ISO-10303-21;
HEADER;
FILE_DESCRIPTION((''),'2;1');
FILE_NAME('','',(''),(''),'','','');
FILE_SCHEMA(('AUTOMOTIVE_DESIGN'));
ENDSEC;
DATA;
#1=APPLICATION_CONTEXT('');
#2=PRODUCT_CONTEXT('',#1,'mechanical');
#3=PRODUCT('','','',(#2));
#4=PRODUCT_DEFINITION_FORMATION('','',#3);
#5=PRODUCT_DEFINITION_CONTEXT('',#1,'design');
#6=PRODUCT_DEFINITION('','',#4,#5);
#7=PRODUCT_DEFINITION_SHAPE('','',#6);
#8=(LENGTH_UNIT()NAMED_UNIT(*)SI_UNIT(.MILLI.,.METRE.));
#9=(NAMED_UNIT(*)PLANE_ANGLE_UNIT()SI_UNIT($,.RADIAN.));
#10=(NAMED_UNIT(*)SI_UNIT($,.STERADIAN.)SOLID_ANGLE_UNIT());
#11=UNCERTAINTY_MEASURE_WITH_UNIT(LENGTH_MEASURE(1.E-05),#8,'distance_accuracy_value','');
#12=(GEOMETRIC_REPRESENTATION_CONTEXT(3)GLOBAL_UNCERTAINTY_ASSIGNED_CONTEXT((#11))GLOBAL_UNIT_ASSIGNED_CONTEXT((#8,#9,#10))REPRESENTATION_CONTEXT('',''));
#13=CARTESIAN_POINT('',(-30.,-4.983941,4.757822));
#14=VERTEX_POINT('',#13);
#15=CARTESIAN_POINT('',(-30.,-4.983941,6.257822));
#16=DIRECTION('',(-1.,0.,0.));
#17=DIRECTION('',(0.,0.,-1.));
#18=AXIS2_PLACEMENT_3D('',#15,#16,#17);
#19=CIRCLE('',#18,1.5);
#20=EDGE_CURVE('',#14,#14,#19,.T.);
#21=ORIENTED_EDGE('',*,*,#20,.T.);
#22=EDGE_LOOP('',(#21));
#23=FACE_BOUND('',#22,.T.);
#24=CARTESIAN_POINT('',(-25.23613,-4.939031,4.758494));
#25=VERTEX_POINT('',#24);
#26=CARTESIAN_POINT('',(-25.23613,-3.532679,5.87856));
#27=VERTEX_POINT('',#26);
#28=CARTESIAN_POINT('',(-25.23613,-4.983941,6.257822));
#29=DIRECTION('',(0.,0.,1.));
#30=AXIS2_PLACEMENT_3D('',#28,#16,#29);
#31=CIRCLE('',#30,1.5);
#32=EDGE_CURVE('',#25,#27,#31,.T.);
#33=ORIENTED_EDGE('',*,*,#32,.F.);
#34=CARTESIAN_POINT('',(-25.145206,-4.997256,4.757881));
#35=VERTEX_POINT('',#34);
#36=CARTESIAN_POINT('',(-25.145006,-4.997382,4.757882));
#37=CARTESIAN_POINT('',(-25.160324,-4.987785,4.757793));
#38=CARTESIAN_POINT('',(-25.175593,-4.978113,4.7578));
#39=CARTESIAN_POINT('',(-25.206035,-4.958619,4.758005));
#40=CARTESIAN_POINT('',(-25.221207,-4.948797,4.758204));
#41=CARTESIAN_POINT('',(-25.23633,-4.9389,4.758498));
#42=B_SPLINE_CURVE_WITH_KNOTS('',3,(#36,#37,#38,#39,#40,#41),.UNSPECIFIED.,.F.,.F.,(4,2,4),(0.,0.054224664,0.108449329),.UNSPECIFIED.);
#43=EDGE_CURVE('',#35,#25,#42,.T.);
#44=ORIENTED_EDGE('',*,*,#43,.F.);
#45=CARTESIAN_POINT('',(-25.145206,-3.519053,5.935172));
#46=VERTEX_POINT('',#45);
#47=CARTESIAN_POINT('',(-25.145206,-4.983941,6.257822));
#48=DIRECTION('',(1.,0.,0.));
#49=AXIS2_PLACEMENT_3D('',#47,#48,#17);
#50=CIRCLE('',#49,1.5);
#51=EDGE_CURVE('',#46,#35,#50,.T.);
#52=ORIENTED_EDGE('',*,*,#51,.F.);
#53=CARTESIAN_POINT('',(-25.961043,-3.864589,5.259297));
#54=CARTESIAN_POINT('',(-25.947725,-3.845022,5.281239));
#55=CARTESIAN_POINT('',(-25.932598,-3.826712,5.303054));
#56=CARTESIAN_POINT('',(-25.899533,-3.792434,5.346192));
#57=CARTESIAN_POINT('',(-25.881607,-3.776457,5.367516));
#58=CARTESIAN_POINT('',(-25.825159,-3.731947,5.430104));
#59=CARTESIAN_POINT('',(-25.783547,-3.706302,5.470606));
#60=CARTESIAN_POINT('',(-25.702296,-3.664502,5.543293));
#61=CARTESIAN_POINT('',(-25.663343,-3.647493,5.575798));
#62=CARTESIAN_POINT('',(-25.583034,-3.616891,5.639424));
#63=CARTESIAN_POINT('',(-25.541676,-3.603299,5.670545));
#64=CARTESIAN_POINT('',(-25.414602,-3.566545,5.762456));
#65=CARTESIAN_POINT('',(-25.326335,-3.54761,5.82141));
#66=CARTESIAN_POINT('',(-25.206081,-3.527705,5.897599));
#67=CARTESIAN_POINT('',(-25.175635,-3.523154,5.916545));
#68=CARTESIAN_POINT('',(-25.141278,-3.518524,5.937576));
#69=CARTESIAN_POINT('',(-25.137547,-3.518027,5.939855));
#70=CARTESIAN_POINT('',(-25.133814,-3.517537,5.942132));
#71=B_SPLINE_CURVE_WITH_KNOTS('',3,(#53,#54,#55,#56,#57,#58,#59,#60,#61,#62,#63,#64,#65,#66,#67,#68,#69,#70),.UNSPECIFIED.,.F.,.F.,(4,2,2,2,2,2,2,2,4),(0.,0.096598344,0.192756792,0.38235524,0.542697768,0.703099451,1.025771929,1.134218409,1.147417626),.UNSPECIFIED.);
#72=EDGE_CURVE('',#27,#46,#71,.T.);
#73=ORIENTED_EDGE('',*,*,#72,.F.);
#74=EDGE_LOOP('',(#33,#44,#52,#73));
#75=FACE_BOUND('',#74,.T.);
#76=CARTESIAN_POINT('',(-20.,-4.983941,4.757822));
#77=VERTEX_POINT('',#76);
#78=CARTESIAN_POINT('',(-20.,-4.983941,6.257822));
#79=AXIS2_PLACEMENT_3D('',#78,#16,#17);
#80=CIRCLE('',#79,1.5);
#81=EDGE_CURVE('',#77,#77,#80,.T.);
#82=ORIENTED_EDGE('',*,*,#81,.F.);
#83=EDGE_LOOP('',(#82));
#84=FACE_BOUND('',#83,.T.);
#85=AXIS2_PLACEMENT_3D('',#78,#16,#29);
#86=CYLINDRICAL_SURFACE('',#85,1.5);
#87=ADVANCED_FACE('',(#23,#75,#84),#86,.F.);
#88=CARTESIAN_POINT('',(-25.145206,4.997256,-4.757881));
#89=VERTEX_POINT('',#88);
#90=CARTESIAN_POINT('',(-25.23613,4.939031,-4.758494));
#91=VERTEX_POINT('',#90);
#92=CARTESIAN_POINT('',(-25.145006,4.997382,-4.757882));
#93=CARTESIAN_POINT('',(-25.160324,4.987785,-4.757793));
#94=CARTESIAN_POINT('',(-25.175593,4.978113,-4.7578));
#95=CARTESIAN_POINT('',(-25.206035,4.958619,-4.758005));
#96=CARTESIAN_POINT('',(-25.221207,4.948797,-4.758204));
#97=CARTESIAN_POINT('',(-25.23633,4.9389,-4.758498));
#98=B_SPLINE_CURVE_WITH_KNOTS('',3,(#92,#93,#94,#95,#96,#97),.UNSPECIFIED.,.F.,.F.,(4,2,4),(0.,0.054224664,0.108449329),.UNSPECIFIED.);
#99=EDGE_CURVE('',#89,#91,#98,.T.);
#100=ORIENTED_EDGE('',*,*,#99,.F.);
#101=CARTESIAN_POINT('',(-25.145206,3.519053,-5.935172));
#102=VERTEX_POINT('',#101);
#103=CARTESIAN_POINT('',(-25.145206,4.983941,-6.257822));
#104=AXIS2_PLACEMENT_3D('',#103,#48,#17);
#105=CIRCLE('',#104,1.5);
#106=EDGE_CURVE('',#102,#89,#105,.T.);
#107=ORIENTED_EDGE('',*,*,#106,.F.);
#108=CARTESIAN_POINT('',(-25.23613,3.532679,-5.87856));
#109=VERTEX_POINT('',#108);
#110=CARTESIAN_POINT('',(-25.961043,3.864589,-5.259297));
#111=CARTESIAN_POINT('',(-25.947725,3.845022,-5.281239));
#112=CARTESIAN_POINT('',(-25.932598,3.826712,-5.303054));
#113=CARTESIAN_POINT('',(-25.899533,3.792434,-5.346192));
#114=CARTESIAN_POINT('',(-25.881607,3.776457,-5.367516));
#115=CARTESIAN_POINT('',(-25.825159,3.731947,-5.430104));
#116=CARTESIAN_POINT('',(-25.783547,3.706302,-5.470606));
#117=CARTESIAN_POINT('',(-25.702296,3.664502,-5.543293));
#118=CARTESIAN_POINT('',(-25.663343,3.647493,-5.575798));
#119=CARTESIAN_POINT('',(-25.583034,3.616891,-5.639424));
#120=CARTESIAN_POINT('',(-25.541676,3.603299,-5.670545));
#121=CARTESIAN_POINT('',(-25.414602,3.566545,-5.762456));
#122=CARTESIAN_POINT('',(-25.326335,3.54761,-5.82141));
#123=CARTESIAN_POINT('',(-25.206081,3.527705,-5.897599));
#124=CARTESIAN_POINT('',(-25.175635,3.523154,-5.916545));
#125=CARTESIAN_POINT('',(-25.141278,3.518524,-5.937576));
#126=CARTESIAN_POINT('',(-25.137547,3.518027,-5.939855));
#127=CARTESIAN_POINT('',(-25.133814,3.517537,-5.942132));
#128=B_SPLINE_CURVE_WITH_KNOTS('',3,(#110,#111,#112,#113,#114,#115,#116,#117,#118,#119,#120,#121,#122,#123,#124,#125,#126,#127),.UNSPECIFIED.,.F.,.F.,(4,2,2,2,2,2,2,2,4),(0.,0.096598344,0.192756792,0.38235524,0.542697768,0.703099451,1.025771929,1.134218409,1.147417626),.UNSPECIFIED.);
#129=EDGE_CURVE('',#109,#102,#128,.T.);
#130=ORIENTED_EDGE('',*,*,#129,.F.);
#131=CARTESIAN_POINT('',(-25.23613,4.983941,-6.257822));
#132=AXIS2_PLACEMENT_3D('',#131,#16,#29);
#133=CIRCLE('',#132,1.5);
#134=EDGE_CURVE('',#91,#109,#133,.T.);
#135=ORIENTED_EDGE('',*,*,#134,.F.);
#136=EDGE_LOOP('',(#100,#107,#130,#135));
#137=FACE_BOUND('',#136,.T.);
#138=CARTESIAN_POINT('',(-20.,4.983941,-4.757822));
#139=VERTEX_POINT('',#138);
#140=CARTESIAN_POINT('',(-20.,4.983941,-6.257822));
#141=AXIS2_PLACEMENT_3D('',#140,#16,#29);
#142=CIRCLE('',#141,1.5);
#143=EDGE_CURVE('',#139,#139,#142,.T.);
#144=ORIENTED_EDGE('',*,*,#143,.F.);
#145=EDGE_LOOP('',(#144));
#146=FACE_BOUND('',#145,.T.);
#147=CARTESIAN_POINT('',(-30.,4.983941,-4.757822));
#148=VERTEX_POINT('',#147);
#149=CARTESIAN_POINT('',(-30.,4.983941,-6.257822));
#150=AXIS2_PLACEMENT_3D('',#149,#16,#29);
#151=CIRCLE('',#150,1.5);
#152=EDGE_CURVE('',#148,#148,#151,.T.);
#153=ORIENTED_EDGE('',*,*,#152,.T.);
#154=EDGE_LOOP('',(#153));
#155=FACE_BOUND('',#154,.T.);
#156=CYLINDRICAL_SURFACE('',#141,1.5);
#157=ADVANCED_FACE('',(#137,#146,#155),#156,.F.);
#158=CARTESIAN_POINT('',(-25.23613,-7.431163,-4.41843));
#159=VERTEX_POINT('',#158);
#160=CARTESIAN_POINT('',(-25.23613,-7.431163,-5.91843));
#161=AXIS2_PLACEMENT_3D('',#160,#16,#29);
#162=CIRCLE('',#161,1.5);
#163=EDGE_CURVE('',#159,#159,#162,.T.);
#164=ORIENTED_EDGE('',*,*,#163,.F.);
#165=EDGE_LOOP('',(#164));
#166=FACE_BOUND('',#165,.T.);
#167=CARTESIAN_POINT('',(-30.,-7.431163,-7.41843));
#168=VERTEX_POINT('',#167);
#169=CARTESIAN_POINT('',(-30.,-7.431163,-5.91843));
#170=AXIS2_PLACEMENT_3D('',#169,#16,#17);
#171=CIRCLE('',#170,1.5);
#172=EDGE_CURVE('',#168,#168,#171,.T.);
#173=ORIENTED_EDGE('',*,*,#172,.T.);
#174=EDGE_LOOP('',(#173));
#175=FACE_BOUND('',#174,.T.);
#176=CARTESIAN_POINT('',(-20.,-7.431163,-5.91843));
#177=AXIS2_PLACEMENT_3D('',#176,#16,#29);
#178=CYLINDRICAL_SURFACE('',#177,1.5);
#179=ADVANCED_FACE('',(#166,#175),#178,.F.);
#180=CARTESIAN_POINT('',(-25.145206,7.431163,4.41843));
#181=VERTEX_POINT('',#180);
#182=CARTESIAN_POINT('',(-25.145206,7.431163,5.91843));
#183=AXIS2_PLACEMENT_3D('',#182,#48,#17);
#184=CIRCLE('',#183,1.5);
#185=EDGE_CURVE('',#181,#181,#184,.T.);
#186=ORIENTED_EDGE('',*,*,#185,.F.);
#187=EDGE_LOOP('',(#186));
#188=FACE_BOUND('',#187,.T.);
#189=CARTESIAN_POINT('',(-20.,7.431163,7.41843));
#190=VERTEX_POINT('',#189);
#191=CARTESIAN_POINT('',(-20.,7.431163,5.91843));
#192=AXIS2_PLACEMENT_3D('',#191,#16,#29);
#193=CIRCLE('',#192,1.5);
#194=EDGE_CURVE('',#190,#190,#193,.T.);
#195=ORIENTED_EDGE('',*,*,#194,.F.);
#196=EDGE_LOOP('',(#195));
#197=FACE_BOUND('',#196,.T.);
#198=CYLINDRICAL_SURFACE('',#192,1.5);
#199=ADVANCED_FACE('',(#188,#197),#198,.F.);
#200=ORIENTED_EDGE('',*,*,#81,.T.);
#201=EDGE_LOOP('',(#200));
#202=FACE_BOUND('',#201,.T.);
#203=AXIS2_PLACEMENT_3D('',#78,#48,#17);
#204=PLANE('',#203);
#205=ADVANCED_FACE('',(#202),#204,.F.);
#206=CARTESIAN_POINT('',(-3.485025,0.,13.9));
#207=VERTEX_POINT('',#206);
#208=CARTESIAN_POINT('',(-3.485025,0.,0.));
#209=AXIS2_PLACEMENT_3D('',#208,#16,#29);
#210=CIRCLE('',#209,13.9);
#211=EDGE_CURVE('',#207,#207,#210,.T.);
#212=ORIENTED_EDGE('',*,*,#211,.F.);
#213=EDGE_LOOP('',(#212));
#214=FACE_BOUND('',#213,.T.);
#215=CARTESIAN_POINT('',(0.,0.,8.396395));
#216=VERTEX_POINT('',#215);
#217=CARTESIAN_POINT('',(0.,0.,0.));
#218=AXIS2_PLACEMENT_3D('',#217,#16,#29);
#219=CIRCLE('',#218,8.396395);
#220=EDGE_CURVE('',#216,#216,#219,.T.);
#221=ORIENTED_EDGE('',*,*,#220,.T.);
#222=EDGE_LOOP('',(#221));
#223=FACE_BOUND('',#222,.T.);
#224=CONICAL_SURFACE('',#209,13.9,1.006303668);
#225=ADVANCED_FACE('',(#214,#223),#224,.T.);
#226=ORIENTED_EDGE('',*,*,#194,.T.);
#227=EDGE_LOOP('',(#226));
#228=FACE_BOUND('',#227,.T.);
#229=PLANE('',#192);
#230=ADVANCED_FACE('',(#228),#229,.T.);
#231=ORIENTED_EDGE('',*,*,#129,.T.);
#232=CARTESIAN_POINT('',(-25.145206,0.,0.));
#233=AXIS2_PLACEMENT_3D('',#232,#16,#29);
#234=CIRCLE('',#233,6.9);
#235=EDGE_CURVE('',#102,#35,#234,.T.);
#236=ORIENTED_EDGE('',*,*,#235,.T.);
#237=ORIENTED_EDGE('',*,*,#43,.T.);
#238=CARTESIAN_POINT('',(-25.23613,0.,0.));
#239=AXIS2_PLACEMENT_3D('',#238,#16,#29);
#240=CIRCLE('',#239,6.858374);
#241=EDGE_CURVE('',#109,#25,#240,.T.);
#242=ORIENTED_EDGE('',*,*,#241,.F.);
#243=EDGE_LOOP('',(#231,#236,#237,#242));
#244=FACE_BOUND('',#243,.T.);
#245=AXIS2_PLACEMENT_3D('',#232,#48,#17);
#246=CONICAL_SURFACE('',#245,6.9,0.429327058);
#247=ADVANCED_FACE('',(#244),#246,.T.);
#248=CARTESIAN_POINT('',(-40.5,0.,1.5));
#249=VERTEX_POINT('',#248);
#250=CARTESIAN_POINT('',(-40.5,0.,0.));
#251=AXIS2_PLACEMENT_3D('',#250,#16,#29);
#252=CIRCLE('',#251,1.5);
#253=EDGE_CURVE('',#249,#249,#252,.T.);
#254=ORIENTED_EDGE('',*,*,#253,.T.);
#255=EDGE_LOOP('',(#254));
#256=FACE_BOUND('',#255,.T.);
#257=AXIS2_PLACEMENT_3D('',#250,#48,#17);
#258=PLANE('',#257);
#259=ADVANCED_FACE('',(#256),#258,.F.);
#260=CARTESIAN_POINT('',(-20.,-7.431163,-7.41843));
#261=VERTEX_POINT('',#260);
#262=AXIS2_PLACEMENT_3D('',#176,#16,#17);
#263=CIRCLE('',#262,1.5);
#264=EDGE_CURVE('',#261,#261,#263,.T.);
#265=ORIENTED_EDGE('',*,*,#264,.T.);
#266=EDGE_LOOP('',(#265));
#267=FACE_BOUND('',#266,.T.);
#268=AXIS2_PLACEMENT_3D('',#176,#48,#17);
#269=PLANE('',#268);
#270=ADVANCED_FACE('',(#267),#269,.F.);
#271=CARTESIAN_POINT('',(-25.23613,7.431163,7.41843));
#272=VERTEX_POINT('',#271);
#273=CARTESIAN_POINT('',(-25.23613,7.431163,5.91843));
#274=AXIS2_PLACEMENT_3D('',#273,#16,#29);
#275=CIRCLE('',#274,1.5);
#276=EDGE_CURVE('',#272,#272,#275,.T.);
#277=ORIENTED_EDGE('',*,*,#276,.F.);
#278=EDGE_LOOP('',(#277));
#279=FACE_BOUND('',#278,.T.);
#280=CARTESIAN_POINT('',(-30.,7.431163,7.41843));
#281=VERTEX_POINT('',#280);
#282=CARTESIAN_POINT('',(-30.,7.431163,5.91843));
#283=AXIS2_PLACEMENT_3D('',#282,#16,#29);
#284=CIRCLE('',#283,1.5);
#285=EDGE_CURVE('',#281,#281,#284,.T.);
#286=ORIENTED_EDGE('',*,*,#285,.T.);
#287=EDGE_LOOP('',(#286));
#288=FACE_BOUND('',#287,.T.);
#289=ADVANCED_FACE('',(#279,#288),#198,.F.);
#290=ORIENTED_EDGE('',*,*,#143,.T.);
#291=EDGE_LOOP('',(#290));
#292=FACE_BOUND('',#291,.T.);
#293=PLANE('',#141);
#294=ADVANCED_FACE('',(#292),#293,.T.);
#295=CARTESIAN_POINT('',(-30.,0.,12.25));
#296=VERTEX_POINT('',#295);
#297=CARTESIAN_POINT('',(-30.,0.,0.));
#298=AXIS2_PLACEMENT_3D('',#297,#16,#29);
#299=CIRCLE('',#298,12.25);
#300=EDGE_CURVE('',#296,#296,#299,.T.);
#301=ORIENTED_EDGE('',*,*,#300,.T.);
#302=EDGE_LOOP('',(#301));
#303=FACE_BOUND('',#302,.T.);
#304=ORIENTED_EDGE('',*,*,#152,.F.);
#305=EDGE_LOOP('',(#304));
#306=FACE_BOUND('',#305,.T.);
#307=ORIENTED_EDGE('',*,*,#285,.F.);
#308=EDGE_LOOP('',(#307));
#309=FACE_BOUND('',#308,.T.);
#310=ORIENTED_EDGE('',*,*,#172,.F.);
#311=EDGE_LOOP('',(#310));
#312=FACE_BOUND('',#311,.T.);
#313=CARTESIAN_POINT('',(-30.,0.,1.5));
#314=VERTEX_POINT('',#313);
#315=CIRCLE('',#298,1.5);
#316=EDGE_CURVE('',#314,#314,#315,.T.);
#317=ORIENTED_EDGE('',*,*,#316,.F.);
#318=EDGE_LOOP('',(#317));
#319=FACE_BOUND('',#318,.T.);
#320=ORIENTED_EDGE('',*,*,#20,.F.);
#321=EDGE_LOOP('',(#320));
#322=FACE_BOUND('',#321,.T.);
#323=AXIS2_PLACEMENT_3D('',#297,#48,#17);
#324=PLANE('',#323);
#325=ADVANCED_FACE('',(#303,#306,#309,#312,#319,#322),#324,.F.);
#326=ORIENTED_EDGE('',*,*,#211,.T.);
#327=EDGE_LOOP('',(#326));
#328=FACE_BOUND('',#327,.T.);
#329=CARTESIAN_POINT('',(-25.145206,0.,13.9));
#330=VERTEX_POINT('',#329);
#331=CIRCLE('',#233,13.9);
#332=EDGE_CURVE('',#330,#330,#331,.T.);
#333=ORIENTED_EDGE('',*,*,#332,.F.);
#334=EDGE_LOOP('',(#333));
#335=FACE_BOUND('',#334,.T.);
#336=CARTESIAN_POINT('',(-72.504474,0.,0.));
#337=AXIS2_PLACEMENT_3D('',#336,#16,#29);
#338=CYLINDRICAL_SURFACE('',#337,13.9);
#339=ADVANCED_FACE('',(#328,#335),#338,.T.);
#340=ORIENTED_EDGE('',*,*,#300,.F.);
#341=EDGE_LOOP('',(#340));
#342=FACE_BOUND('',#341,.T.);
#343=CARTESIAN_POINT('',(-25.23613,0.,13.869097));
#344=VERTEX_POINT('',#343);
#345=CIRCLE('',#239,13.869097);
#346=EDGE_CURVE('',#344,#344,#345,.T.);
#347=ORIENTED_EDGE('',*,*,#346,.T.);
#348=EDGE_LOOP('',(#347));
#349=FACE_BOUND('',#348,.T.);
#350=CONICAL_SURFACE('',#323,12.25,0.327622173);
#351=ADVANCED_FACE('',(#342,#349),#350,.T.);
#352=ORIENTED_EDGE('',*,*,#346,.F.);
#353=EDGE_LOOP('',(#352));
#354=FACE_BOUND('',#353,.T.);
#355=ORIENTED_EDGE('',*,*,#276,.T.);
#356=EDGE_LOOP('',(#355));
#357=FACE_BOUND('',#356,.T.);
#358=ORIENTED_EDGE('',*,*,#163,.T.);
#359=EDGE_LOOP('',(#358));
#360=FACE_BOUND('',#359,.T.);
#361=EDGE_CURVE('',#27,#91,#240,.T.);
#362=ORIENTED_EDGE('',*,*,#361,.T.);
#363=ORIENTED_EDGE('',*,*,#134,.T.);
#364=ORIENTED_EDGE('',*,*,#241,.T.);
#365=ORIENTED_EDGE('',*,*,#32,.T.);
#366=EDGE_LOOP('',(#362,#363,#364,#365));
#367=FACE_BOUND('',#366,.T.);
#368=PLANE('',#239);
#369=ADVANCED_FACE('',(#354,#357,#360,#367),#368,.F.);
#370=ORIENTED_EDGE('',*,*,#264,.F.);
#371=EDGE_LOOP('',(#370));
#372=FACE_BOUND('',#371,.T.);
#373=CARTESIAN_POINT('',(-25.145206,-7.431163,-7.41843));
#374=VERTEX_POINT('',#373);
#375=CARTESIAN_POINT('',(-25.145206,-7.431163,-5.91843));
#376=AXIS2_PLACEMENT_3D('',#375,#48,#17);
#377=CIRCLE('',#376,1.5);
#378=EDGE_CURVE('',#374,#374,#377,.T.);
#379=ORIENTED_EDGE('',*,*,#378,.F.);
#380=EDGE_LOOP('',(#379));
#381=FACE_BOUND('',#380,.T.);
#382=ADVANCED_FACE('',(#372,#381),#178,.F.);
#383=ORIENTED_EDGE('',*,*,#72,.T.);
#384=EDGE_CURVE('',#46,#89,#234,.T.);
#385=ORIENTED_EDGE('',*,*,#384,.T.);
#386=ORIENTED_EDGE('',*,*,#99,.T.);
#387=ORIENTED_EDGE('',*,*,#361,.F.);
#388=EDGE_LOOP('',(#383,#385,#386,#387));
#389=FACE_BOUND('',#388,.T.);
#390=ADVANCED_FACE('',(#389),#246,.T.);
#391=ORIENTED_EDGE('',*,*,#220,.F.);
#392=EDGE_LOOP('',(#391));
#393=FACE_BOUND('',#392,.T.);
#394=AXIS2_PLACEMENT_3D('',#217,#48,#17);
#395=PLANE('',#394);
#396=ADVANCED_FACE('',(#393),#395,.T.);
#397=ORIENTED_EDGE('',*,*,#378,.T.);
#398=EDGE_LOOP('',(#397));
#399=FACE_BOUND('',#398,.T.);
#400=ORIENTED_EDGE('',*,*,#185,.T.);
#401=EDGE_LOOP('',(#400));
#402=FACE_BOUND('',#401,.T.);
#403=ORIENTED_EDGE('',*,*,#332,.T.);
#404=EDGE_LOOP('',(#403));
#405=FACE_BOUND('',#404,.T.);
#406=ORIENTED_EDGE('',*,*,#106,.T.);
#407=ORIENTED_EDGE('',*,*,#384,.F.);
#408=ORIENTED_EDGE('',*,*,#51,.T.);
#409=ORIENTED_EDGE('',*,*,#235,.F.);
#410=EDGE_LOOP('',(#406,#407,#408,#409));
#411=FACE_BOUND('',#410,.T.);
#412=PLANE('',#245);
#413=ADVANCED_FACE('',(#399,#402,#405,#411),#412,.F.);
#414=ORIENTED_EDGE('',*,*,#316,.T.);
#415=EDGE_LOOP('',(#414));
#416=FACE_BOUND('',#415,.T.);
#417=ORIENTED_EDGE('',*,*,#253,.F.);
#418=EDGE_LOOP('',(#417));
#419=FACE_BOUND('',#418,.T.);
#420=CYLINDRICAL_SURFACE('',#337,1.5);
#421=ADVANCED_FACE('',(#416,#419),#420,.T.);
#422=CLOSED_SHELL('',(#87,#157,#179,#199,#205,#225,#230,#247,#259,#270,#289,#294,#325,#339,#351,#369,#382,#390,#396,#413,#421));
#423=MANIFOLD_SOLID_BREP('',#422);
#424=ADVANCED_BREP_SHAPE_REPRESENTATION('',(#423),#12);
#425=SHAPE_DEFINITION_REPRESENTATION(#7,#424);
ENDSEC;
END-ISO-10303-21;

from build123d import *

# Parameters (mm, degrees)
SKETCH2_R          = 1.5
CUT_EXTRUDE1_DEPTH = 10


with BuildPart() as part:
    # Sketch1 → Revolve2 (revolve)
    with BuildSketch(Plane.XY, mode=Mode.PRIVATE) as revolve2_sk:
        Polygon((-25.236130379, 13.869097433), (-30, 12.25), (-30, 1.5), (-40.5, 1.5), (-40.5, 0), (0, 0), (0, 8.396394587), (-3.485025076, 13.9), (-25.145205772, 13.9), (-25.145205772, 6.9), (-25.236130379, 6.858374097), align=None)
    revolve(revolve2_sk.sketch.rotate(Axis((-72.504474406, 0, 0), (1, 0, 0)), 90), axis=Axis((-72.504474406, 0, 0), (1, 0, 0)))

    # Sketch2 → Cut-Extrude1 (cut)
    with BuildSketch(Plane.ZY.offset(30)):
        with Locations((5.918430072, 7.431163131)):
            Circle(SKETCH2_R)
        with Locations((-6.257821584, 4.983941113)):
            Circle(SKETCH2_R)
        with Locations(Location((6.257821584, -4.983941113, 0), (0, 0, 180))):
            Circle(SKETCH2_R)
        with Locations((-5.918430072, -7.431163131)):
            Circle(SKETCH2_R)
    extrude(amount=-CUT_EXTRUDE1_DEPTH, mode=Mode.SUBTRACT)


solid = part.part
